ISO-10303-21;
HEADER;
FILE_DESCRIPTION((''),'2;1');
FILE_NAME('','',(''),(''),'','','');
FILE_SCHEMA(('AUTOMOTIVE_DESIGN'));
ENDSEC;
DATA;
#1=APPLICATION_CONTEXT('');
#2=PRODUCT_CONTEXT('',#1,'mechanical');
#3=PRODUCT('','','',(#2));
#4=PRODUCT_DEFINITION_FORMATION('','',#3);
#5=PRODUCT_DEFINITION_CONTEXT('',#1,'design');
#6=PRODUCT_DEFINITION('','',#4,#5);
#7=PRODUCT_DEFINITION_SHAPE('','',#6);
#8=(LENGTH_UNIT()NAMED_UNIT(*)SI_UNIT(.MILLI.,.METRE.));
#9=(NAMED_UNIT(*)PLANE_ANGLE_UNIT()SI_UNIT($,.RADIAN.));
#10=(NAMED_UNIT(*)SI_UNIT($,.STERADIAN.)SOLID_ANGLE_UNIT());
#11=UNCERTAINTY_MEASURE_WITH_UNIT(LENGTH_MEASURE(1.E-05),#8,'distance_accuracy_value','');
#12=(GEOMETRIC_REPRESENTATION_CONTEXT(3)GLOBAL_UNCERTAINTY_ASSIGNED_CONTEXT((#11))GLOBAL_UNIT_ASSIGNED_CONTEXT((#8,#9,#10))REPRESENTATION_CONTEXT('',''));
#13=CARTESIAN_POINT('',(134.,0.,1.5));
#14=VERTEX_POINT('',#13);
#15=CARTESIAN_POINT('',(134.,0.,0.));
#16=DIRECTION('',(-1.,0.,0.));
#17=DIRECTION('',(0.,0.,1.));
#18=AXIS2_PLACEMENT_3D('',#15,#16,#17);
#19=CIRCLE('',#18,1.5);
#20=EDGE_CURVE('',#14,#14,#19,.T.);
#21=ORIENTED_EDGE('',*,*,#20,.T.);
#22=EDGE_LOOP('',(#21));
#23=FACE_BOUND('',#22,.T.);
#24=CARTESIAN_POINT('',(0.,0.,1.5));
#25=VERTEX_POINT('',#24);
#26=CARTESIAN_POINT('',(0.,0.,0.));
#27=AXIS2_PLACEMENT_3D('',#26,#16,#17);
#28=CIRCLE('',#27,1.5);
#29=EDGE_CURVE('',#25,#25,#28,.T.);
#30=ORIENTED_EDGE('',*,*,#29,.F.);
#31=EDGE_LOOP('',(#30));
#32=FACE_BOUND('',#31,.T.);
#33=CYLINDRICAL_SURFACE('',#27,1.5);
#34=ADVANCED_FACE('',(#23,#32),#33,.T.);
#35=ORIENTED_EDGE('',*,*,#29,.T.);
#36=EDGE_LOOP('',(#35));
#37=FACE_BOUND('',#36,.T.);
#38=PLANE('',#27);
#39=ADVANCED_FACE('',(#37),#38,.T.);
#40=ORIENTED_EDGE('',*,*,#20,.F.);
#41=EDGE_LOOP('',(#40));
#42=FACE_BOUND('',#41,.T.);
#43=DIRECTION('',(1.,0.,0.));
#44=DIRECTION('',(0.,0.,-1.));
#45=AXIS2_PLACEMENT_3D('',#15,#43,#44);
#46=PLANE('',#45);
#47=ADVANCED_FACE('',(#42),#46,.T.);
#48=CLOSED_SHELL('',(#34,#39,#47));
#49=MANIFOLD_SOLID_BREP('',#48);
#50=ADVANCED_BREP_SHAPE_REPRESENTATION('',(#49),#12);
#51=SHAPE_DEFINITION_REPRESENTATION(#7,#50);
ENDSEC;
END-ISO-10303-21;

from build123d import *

# Parameters (mm, degrees)
SKETCH1_W = 134
SKETCH1_H = 1.5


with BuildPart() as part:
    # Sketch1 → Revolve1 (revolve)
    with BuildSketch(Plane.XY):
        with Locations((67, -0.75)):
            Rectangle(SKETCH1_W, SKETCH1_H)
    revolve(axis=Axis((0, 0, 0), (1, 0, 0)))


solid = part.part
